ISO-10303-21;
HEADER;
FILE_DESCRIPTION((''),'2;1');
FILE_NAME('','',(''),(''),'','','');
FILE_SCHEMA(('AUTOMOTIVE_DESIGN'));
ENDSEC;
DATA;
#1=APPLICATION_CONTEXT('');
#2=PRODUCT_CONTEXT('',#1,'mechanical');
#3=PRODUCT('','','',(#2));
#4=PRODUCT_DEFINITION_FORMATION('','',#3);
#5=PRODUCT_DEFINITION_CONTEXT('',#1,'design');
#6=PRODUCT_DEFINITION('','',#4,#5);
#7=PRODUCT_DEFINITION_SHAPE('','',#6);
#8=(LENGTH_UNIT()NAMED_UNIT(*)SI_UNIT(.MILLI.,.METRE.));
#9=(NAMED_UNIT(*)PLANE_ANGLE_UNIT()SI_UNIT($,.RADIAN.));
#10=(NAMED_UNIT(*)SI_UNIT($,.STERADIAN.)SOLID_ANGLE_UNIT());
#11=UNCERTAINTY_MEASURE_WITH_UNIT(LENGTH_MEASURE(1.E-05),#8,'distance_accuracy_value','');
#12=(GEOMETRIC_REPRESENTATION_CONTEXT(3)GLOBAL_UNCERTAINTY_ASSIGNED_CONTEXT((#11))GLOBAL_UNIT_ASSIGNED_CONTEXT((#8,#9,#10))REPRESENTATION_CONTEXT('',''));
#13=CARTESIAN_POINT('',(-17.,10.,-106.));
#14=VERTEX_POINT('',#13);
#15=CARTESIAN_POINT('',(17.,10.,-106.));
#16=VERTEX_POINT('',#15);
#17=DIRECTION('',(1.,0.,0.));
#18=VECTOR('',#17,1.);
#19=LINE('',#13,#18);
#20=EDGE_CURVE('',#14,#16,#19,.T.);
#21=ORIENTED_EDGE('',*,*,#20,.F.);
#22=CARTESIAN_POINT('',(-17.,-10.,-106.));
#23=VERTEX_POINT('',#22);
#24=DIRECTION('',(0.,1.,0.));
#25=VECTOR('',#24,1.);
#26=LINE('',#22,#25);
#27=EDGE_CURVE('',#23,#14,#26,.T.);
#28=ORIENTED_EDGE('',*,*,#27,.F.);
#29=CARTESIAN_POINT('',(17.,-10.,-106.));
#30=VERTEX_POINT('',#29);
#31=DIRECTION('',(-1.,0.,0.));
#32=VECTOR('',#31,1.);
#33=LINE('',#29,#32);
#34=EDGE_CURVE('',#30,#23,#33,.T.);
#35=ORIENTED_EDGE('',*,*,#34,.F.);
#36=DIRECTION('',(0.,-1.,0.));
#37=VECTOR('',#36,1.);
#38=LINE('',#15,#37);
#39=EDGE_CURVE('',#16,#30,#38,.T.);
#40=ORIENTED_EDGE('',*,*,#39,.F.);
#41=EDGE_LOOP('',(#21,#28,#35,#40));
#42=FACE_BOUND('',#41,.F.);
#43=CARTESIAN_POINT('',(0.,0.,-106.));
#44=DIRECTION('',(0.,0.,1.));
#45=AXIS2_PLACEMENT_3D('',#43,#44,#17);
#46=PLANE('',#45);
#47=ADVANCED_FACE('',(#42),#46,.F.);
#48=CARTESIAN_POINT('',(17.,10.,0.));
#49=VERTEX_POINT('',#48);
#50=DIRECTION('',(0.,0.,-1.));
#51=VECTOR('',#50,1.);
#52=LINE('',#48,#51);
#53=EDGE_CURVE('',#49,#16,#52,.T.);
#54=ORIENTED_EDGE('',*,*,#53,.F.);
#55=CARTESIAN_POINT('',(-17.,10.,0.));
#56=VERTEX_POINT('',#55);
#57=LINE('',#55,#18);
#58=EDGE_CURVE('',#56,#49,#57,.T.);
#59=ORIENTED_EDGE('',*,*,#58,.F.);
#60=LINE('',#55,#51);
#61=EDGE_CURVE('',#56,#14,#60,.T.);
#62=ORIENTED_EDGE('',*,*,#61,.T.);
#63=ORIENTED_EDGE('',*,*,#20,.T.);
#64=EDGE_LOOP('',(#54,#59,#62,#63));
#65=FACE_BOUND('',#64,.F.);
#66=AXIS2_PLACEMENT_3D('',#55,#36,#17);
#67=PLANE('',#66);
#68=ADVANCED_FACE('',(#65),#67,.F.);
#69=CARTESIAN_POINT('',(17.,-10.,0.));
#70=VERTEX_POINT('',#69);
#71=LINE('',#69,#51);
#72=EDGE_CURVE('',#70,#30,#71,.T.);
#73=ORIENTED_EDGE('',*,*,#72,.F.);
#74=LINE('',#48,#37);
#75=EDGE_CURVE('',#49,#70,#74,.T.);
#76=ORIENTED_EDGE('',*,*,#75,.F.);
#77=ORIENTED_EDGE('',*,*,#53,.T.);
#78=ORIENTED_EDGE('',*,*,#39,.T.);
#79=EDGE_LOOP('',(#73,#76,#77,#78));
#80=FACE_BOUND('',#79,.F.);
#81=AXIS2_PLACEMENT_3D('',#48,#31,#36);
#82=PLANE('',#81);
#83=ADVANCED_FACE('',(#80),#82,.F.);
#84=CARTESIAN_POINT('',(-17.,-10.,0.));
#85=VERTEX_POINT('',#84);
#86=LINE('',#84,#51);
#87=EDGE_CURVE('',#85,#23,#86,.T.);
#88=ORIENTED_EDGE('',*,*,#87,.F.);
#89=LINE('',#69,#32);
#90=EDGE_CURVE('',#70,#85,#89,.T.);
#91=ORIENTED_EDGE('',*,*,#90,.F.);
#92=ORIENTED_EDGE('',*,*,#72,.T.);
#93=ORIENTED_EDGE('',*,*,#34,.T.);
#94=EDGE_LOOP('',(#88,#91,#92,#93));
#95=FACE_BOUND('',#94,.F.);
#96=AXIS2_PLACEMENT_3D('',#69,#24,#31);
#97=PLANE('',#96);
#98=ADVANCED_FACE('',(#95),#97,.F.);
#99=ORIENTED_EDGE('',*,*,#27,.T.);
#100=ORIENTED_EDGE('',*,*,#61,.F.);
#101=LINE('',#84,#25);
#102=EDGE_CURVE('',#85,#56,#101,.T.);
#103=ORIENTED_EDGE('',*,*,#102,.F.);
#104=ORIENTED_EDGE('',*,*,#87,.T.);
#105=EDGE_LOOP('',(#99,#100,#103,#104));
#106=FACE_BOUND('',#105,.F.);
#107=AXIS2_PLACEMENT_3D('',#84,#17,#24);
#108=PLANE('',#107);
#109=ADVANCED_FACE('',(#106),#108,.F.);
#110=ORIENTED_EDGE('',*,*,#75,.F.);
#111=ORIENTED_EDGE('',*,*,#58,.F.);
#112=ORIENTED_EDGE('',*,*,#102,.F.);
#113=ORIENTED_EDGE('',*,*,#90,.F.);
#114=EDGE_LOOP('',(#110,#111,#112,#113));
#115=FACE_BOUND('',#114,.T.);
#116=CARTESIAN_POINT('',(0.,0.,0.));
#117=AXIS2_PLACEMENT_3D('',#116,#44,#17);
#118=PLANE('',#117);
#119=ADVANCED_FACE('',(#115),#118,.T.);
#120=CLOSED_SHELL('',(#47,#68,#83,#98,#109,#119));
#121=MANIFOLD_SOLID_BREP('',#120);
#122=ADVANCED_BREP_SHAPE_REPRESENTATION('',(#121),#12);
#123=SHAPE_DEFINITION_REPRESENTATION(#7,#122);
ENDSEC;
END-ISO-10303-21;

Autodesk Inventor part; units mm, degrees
ref_plane "YZ Plane" through (0, 0, 0) normal (1, 0, 0) x (0, 1, 0)
ref_plane "XZ Plane" through (0, 0, 0) normal (0, 1, 0) x (-1, 0, 0)
ref_plane "XY Plane" through (0, 0, 0) normal (0, 0, 1) x (1, 0, 0)
sketch "Sketch1" plane through (0, 0, 0) normal (0, 0, 1) x (1, 0, 0)
  line L0 (-17, 10) -> (17, 10)
  line L1 (17, 10) -> (17, -10)
  line L2 (17, -10) -> (-17, -10)
  line L3 (-17, -10) -> (-17, 10)
  line L4 (-17, -10) -> (17, 10) construction
  line L5 (-17, 10) -> (17, -10) construction
  point P0 (0, 0)
  point P1 (0, 0)
  point P2 (0, 0)
  dimension "d0" = 20
  dimension "d1" = 34
extrude "Extrusion1" add sketch "Sketch1" against normal blind 106
equation "\"d0\" = height"
equation "\"d1\" = width"
equation "\"d2\" = length"
equation "\"width\" = 34"
equation "\"height\" = 20"
equation "\"length\" = 106"
properties part number "Accumulator-01"
